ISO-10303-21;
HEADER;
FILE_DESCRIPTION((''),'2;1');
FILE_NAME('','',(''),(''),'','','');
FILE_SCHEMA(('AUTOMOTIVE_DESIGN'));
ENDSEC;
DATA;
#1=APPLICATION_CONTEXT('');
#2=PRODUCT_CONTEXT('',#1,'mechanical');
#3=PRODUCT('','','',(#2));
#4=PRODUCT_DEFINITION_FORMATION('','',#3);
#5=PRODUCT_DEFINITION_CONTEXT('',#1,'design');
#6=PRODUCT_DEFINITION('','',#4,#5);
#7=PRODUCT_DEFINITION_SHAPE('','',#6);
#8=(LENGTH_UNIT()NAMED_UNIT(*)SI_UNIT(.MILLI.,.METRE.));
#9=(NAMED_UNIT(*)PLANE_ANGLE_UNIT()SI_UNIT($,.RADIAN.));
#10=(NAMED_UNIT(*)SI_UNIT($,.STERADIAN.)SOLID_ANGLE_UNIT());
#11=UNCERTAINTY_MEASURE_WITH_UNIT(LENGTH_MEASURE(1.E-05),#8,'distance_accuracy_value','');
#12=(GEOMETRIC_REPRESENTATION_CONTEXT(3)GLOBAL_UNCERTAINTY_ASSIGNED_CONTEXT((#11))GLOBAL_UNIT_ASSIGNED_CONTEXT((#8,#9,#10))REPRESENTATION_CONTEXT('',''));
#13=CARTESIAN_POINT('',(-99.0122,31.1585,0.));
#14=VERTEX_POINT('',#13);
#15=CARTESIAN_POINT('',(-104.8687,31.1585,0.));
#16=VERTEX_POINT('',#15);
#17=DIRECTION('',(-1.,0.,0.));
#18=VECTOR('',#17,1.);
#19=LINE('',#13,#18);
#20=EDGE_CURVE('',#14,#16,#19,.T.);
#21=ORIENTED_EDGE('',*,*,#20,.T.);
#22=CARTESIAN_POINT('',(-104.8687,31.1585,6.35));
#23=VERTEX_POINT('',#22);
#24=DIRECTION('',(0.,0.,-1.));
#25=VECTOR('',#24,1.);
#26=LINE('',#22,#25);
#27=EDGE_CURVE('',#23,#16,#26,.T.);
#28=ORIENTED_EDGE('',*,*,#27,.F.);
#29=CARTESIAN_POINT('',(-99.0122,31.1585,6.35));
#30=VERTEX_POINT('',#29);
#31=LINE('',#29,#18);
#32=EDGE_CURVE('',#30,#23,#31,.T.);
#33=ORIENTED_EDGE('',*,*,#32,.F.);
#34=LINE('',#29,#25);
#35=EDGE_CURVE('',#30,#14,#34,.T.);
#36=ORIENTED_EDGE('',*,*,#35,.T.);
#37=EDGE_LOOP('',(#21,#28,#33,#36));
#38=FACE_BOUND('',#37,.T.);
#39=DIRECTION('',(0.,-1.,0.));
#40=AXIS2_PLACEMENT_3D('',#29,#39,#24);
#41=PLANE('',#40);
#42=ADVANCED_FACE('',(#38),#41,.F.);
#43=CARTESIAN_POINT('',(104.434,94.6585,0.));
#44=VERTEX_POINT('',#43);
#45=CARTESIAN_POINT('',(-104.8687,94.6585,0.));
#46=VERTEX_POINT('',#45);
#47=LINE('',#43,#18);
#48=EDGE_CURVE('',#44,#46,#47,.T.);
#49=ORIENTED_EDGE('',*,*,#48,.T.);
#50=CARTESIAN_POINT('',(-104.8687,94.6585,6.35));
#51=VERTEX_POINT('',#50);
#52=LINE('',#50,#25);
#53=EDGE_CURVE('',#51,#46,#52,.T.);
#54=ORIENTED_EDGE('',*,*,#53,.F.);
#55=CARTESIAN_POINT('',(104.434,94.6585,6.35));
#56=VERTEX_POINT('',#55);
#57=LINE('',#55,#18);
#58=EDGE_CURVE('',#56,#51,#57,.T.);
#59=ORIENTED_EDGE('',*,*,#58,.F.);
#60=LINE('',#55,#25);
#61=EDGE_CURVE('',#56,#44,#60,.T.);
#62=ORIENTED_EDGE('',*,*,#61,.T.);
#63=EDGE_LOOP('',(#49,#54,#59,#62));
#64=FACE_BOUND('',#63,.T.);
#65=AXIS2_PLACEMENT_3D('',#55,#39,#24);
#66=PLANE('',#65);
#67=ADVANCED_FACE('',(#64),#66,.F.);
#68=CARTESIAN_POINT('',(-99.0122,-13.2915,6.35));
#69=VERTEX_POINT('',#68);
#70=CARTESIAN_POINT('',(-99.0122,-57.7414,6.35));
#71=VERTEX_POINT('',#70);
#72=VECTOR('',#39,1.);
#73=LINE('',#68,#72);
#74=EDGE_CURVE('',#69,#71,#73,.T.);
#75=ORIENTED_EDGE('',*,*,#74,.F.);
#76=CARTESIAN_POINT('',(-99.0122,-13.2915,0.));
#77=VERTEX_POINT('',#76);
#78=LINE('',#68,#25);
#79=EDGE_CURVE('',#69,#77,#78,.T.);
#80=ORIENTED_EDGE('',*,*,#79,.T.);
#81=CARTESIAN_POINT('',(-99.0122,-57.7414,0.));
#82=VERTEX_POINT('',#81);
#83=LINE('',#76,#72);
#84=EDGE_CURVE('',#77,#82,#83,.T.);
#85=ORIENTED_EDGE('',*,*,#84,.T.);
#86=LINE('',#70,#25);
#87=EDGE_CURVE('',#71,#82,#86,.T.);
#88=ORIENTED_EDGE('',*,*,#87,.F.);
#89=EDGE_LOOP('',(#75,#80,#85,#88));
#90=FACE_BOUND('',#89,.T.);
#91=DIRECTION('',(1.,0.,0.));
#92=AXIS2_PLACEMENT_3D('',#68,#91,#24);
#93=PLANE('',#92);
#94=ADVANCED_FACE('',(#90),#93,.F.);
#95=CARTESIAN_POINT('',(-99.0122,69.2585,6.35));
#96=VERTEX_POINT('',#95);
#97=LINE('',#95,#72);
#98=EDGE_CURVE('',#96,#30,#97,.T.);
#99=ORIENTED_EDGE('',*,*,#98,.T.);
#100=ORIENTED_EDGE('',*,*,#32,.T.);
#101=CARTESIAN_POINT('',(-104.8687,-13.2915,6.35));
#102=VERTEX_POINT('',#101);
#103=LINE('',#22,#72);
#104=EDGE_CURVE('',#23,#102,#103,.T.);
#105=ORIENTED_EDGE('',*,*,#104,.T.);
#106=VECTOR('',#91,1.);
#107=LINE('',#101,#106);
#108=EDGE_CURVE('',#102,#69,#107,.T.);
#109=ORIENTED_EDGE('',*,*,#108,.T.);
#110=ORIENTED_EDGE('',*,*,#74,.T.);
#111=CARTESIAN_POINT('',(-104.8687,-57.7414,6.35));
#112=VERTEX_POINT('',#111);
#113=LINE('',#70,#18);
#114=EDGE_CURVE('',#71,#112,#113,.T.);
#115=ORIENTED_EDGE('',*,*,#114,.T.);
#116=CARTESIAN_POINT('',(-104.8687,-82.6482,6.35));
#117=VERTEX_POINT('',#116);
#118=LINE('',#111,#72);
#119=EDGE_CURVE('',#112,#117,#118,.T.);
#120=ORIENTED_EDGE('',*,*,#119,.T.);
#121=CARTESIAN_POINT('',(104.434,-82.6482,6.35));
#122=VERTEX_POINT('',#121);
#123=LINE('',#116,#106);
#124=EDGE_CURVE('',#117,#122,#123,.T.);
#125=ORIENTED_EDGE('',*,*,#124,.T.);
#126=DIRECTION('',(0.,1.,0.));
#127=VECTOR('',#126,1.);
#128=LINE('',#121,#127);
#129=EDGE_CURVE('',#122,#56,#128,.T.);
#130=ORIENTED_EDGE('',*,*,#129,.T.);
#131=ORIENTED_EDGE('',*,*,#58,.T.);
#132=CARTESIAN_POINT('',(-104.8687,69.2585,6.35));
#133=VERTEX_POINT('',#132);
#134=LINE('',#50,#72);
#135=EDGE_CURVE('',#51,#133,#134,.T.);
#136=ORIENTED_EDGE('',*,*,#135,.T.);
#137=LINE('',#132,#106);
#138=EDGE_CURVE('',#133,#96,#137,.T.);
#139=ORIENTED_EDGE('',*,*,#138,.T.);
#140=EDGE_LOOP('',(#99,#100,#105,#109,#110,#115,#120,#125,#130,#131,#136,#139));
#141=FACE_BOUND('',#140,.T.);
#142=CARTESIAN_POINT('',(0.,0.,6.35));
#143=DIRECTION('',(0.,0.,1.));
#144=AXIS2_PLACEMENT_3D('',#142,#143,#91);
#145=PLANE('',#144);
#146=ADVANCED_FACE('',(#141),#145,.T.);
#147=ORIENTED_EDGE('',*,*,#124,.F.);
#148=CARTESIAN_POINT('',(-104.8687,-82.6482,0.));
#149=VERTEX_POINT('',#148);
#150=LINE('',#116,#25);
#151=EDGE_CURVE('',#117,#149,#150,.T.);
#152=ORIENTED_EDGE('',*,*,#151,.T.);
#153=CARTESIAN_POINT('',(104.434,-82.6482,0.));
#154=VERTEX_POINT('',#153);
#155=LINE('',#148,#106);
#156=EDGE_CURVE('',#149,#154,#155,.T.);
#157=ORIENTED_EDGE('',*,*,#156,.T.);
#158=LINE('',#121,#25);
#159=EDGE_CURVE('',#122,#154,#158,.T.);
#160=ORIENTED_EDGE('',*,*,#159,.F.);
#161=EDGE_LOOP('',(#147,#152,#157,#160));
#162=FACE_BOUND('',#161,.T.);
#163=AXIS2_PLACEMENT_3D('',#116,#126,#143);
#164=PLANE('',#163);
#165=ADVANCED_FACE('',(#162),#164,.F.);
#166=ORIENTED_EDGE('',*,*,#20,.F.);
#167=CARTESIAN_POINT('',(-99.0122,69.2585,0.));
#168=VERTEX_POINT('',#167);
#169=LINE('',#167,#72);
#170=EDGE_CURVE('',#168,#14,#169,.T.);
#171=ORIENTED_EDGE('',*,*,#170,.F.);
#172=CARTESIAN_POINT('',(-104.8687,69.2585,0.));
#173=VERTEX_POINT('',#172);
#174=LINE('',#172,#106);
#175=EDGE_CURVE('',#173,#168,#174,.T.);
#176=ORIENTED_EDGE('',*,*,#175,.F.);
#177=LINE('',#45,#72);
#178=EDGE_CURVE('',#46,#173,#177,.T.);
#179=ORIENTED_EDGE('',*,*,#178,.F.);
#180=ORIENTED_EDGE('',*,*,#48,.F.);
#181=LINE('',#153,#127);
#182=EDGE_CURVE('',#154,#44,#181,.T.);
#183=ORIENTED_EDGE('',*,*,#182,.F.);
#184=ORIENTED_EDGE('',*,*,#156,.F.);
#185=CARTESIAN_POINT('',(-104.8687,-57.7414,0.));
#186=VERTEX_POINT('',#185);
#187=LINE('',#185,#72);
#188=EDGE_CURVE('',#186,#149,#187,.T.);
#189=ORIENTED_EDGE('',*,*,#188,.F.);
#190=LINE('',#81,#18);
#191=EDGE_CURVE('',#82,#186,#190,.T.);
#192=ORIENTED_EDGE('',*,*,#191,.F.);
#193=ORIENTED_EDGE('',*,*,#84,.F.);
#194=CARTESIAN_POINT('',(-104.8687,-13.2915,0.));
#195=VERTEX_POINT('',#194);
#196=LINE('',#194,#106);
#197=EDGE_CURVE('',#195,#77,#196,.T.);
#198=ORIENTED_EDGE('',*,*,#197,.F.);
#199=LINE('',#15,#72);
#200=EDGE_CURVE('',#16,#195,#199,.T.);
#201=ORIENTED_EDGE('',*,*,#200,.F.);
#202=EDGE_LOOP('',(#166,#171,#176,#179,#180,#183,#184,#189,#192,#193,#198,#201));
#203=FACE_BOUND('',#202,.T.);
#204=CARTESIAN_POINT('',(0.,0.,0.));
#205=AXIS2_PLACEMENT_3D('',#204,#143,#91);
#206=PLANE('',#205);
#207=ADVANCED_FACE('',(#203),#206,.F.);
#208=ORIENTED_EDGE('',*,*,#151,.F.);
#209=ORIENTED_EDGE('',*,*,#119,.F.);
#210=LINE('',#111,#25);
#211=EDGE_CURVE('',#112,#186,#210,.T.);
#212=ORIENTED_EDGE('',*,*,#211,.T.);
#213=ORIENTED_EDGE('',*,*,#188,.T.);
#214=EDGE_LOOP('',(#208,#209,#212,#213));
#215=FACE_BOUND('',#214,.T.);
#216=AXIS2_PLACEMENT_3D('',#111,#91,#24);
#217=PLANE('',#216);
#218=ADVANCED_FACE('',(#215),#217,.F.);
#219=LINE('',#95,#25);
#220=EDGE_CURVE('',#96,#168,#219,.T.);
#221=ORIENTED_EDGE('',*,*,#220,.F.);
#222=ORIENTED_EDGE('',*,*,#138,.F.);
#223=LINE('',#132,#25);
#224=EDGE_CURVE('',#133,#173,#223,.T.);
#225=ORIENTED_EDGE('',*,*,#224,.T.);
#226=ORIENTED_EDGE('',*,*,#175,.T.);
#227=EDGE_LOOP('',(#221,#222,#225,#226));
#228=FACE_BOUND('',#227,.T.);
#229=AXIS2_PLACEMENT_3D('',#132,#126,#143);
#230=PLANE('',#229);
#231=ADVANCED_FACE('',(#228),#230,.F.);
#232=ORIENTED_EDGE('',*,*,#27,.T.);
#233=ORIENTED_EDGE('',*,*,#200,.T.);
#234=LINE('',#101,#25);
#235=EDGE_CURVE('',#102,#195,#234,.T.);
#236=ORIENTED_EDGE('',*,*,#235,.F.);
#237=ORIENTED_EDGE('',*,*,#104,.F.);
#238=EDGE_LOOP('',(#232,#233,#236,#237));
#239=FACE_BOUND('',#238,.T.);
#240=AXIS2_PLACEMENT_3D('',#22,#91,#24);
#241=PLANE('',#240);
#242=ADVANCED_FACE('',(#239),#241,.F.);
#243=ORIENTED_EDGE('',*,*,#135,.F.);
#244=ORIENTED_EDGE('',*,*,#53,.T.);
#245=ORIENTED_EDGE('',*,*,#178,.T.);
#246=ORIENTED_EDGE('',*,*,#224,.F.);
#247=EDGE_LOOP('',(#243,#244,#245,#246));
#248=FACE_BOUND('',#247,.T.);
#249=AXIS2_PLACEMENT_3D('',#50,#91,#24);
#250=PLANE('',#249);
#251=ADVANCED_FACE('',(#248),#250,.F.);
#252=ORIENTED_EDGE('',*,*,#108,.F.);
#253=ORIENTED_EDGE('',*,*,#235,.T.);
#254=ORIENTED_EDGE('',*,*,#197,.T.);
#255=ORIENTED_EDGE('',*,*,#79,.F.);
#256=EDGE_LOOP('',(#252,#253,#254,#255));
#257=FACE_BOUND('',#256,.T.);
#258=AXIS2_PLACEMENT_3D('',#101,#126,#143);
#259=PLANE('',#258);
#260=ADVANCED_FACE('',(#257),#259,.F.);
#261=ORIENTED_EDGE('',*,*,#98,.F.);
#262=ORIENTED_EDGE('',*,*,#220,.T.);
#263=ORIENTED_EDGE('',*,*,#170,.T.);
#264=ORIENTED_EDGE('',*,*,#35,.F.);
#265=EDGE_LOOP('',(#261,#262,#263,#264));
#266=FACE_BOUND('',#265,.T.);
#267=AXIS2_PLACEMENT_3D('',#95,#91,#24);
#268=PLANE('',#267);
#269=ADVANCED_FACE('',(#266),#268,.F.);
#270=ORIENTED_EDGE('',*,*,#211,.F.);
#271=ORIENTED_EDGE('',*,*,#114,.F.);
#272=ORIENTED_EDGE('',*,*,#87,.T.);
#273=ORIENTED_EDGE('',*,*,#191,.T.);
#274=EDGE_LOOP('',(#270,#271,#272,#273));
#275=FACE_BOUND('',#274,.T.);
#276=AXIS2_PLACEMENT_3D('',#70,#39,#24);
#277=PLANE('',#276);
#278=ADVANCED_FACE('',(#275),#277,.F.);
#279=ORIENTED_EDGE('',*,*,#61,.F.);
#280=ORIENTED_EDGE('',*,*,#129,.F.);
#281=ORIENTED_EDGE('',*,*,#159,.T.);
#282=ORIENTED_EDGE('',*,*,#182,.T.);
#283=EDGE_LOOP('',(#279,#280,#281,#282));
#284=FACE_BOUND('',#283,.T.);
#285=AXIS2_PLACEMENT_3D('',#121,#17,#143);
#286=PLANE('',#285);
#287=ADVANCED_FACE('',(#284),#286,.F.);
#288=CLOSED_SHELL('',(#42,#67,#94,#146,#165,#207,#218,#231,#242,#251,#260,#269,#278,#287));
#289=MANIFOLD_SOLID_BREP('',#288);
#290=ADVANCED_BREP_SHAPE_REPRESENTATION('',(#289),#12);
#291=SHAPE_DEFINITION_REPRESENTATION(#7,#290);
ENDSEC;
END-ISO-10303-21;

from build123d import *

# Parameters (mm, degrees)
BOSS_EXTRUDE1_DEPTH = 6.35


with BuildPart() as part:
    # Model → Boss-Extrude1 (new body)
    with BuildSketch(Plane.XY):
        Polygon((104.434, 94.6585), (-104.8687, 94.6585), (-104.8687, 69.2585), (-99.0122, 69.2585), (-99.0122, 31.1585), (-104.8687, 31.1585), (-104.8687, -13.2915), (-99.0122, -13.2915), (-99.0122, -57.7414), (-104.8687, -57.7414), (-104.8687, -82.6482), (104.434, -82.6482), align=None)
    extrude(amount=BOSS_EXTRUDE1_DEPTH)


solid = part.part
